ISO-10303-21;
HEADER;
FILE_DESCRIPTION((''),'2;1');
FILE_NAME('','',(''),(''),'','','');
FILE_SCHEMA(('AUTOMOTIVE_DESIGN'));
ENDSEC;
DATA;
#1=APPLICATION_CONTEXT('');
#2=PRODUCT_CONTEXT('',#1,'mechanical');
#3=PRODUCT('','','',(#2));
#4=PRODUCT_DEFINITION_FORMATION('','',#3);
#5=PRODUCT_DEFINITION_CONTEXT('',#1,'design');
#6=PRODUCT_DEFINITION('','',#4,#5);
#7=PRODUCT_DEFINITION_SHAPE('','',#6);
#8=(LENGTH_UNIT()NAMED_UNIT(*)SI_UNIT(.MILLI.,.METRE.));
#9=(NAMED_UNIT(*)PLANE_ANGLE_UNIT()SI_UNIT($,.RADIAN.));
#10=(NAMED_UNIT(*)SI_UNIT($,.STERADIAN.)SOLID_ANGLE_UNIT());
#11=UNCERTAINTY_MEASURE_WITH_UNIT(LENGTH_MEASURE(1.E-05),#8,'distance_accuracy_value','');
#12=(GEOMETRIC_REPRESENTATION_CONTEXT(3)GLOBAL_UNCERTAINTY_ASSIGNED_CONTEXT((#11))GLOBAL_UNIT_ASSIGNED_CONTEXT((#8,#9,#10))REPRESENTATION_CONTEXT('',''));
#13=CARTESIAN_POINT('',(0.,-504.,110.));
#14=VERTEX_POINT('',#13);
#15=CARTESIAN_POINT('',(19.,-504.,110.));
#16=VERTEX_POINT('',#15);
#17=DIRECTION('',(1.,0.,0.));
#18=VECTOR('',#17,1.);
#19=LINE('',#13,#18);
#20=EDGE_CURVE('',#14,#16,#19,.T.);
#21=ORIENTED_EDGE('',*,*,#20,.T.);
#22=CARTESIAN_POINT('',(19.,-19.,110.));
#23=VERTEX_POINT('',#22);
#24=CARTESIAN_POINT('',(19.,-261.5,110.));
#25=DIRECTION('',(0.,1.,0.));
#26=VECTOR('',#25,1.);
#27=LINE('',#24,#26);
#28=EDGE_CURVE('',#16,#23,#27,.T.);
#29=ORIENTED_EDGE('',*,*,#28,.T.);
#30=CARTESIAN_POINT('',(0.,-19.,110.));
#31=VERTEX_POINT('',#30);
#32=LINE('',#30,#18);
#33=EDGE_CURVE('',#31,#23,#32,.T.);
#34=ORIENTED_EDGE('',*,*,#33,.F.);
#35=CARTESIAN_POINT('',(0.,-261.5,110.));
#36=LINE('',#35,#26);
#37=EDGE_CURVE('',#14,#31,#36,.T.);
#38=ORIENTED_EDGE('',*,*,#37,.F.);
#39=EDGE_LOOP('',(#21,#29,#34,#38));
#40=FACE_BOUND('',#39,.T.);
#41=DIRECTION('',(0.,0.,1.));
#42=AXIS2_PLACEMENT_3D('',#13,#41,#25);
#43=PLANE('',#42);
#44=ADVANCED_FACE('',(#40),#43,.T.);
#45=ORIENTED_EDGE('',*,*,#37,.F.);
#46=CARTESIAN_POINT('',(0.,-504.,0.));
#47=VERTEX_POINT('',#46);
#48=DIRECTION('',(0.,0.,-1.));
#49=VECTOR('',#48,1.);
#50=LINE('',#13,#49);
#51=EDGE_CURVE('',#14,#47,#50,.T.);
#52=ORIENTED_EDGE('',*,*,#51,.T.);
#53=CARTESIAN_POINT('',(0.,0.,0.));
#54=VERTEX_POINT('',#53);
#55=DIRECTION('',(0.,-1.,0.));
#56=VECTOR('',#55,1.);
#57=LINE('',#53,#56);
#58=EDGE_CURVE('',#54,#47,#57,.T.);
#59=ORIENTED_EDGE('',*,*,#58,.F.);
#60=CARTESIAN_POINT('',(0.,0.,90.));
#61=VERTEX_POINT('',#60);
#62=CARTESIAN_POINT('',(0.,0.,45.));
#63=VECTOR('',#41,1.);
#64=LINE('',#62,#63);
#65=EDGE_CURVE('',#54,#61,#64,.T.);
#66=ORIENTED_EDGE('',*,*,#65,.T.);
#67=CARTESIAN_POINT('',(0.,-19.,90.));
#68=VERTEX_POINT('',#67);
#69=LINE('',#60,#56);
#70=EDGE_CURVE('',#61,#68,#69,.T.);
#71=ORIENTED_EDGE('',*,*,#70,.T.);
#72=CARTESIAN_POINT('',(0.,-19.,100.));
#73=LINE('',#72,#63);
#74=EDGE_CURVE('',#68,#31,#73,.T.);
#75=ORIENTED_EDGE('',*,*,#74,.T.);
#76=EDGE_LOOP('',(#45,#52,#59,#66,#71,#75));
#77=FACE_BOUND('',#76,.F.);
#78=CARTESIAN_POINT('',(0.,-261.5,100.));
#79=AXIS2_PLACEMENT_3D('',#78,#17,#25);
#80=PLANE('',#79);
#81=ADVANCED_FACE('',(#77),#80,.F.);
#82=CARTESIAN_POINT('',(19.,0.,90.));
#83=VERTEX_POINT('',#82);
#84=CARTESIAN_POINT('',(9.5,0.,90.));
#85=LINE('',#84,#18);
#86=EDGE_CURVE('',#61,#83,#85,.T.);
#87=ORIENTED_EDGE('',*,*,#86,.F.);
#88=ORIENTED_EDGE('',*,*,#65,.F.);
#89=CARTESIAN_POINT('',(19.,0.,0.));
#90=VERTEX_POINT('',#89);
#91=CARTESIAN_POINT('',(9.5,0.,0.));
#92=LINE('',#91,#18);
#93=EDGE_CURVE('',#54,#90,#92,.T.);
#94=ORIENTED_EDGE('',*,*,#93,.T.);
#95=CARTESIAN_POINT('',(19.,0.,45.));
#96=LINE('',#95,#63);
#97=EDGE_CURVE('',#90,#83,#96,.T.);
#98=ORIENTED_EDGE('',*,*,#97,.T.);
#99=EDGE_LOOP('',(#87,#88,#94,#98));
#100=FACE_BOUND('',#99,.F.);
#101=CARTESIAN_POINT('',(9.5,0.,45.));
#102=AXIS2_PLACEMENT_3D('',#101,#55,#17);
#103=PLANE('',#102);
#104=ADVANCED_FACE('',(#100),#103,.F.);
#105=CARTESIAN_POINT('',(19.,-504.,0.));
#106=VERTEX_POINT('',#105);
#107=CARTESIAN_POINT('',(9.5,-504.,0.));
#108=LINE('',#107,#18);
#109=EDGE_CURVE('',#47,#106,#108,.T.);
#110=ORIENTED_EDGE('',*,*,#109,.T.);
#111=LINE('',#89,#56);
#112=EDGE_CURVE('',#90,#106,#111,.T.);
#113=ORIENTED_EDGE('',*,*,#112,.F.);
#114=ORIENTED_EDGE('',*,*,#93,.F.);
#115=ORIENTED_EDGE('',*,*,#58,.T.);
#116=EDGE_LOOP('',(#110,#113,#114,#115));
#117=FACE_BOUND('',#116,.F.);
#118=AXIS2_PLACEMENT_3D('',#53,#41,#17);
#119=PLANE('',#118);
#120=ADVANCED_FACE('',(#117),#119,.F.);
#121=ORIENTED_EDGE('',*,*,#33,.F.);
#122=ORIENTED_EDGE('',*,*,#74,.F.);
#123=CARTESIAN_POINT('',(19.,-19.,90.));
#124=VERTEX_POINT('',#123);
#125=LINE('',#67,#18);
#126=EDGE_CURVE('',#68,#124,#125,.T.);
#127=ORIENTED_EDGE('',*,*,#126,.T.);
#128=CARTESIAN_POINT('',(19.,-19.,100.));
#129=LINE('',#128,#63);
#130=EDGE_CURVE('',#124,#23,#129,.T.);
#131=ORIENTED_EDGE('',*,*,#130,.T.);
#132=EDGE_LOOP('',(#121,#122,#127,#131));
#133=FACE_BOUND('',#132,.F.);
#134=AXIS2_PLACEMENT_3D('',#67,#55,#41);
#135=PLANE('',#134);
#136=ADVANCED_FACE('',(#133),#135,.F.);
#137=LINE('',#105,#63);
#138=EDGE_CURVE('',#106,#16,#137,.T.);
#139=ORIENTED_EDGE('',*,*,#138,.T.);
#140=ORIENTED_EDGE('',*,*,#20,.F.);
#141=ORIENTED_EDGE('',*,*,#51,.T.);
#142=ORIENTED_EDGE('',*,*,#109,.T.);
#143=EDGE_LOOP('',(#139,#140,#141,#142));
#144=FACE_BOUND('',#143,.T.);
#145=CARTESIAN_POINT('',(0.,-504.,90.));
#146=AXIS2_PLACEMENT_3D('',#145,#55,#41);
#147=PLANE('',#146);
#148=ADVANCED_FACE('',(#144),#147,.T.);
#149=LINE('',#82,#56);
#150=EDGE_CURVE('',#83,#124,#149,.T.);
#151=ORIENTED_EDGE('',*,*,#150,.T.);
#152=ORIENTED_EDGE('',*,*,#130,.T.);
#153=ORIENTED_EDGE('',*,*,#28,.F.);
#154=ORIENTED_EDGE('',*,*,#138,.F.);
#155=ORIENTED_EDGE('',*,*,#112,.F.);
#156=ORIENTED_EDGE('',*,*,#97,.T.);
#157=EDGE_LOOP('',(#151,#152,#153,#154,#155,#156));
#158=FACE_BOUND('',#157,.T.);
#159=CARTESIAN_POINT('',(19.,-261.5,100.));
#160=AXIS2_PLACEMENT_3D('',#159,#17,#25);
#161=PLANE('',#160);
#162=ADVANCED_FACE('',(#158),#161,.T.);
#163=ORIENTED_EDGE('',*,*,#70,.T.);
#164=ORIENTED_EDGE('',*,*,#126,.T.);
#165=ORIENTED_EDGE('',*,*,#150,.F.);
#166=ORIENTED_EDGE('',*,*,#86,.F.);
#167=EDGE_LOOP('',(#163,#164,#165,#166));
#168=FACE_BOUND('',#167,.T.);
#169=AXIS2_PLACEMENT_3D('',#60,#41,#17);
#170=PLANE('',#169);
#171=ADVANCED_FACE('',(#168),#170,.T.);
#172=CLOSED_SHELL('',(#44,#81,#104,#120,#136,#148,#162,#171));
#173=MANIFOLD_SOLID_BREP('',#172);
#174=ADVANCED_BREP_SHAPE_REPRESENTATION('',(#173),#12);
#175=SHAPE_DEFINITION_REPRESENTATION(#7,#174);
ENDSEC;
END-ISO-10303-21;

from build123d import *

# Parameters (mm, degrees)
F0_W     = 19
F0_H     = 90
F1_DEPTH = 504
F2_W     = 485
F2_H     = 20
F3_DEPTH = 19


with BuildPart() as f1:
    # F0 (on Front) → F1 (new body)
    with BuildSketch(Plane.XZ):
        with Locations((9.5, 45)):
            Rectangle(F0_W, F0_H)
    extrude(amount=F1_DEPTH)

    # F2 (on Right) → F3 (join, through all)
    with BuildSketch(Plane.YZ):
        with Locations((-261.5, 100)):
            Rectangle(F2_W, F2_H)
    extrude(amount=F3_DEPTH)


solid = f1.part
